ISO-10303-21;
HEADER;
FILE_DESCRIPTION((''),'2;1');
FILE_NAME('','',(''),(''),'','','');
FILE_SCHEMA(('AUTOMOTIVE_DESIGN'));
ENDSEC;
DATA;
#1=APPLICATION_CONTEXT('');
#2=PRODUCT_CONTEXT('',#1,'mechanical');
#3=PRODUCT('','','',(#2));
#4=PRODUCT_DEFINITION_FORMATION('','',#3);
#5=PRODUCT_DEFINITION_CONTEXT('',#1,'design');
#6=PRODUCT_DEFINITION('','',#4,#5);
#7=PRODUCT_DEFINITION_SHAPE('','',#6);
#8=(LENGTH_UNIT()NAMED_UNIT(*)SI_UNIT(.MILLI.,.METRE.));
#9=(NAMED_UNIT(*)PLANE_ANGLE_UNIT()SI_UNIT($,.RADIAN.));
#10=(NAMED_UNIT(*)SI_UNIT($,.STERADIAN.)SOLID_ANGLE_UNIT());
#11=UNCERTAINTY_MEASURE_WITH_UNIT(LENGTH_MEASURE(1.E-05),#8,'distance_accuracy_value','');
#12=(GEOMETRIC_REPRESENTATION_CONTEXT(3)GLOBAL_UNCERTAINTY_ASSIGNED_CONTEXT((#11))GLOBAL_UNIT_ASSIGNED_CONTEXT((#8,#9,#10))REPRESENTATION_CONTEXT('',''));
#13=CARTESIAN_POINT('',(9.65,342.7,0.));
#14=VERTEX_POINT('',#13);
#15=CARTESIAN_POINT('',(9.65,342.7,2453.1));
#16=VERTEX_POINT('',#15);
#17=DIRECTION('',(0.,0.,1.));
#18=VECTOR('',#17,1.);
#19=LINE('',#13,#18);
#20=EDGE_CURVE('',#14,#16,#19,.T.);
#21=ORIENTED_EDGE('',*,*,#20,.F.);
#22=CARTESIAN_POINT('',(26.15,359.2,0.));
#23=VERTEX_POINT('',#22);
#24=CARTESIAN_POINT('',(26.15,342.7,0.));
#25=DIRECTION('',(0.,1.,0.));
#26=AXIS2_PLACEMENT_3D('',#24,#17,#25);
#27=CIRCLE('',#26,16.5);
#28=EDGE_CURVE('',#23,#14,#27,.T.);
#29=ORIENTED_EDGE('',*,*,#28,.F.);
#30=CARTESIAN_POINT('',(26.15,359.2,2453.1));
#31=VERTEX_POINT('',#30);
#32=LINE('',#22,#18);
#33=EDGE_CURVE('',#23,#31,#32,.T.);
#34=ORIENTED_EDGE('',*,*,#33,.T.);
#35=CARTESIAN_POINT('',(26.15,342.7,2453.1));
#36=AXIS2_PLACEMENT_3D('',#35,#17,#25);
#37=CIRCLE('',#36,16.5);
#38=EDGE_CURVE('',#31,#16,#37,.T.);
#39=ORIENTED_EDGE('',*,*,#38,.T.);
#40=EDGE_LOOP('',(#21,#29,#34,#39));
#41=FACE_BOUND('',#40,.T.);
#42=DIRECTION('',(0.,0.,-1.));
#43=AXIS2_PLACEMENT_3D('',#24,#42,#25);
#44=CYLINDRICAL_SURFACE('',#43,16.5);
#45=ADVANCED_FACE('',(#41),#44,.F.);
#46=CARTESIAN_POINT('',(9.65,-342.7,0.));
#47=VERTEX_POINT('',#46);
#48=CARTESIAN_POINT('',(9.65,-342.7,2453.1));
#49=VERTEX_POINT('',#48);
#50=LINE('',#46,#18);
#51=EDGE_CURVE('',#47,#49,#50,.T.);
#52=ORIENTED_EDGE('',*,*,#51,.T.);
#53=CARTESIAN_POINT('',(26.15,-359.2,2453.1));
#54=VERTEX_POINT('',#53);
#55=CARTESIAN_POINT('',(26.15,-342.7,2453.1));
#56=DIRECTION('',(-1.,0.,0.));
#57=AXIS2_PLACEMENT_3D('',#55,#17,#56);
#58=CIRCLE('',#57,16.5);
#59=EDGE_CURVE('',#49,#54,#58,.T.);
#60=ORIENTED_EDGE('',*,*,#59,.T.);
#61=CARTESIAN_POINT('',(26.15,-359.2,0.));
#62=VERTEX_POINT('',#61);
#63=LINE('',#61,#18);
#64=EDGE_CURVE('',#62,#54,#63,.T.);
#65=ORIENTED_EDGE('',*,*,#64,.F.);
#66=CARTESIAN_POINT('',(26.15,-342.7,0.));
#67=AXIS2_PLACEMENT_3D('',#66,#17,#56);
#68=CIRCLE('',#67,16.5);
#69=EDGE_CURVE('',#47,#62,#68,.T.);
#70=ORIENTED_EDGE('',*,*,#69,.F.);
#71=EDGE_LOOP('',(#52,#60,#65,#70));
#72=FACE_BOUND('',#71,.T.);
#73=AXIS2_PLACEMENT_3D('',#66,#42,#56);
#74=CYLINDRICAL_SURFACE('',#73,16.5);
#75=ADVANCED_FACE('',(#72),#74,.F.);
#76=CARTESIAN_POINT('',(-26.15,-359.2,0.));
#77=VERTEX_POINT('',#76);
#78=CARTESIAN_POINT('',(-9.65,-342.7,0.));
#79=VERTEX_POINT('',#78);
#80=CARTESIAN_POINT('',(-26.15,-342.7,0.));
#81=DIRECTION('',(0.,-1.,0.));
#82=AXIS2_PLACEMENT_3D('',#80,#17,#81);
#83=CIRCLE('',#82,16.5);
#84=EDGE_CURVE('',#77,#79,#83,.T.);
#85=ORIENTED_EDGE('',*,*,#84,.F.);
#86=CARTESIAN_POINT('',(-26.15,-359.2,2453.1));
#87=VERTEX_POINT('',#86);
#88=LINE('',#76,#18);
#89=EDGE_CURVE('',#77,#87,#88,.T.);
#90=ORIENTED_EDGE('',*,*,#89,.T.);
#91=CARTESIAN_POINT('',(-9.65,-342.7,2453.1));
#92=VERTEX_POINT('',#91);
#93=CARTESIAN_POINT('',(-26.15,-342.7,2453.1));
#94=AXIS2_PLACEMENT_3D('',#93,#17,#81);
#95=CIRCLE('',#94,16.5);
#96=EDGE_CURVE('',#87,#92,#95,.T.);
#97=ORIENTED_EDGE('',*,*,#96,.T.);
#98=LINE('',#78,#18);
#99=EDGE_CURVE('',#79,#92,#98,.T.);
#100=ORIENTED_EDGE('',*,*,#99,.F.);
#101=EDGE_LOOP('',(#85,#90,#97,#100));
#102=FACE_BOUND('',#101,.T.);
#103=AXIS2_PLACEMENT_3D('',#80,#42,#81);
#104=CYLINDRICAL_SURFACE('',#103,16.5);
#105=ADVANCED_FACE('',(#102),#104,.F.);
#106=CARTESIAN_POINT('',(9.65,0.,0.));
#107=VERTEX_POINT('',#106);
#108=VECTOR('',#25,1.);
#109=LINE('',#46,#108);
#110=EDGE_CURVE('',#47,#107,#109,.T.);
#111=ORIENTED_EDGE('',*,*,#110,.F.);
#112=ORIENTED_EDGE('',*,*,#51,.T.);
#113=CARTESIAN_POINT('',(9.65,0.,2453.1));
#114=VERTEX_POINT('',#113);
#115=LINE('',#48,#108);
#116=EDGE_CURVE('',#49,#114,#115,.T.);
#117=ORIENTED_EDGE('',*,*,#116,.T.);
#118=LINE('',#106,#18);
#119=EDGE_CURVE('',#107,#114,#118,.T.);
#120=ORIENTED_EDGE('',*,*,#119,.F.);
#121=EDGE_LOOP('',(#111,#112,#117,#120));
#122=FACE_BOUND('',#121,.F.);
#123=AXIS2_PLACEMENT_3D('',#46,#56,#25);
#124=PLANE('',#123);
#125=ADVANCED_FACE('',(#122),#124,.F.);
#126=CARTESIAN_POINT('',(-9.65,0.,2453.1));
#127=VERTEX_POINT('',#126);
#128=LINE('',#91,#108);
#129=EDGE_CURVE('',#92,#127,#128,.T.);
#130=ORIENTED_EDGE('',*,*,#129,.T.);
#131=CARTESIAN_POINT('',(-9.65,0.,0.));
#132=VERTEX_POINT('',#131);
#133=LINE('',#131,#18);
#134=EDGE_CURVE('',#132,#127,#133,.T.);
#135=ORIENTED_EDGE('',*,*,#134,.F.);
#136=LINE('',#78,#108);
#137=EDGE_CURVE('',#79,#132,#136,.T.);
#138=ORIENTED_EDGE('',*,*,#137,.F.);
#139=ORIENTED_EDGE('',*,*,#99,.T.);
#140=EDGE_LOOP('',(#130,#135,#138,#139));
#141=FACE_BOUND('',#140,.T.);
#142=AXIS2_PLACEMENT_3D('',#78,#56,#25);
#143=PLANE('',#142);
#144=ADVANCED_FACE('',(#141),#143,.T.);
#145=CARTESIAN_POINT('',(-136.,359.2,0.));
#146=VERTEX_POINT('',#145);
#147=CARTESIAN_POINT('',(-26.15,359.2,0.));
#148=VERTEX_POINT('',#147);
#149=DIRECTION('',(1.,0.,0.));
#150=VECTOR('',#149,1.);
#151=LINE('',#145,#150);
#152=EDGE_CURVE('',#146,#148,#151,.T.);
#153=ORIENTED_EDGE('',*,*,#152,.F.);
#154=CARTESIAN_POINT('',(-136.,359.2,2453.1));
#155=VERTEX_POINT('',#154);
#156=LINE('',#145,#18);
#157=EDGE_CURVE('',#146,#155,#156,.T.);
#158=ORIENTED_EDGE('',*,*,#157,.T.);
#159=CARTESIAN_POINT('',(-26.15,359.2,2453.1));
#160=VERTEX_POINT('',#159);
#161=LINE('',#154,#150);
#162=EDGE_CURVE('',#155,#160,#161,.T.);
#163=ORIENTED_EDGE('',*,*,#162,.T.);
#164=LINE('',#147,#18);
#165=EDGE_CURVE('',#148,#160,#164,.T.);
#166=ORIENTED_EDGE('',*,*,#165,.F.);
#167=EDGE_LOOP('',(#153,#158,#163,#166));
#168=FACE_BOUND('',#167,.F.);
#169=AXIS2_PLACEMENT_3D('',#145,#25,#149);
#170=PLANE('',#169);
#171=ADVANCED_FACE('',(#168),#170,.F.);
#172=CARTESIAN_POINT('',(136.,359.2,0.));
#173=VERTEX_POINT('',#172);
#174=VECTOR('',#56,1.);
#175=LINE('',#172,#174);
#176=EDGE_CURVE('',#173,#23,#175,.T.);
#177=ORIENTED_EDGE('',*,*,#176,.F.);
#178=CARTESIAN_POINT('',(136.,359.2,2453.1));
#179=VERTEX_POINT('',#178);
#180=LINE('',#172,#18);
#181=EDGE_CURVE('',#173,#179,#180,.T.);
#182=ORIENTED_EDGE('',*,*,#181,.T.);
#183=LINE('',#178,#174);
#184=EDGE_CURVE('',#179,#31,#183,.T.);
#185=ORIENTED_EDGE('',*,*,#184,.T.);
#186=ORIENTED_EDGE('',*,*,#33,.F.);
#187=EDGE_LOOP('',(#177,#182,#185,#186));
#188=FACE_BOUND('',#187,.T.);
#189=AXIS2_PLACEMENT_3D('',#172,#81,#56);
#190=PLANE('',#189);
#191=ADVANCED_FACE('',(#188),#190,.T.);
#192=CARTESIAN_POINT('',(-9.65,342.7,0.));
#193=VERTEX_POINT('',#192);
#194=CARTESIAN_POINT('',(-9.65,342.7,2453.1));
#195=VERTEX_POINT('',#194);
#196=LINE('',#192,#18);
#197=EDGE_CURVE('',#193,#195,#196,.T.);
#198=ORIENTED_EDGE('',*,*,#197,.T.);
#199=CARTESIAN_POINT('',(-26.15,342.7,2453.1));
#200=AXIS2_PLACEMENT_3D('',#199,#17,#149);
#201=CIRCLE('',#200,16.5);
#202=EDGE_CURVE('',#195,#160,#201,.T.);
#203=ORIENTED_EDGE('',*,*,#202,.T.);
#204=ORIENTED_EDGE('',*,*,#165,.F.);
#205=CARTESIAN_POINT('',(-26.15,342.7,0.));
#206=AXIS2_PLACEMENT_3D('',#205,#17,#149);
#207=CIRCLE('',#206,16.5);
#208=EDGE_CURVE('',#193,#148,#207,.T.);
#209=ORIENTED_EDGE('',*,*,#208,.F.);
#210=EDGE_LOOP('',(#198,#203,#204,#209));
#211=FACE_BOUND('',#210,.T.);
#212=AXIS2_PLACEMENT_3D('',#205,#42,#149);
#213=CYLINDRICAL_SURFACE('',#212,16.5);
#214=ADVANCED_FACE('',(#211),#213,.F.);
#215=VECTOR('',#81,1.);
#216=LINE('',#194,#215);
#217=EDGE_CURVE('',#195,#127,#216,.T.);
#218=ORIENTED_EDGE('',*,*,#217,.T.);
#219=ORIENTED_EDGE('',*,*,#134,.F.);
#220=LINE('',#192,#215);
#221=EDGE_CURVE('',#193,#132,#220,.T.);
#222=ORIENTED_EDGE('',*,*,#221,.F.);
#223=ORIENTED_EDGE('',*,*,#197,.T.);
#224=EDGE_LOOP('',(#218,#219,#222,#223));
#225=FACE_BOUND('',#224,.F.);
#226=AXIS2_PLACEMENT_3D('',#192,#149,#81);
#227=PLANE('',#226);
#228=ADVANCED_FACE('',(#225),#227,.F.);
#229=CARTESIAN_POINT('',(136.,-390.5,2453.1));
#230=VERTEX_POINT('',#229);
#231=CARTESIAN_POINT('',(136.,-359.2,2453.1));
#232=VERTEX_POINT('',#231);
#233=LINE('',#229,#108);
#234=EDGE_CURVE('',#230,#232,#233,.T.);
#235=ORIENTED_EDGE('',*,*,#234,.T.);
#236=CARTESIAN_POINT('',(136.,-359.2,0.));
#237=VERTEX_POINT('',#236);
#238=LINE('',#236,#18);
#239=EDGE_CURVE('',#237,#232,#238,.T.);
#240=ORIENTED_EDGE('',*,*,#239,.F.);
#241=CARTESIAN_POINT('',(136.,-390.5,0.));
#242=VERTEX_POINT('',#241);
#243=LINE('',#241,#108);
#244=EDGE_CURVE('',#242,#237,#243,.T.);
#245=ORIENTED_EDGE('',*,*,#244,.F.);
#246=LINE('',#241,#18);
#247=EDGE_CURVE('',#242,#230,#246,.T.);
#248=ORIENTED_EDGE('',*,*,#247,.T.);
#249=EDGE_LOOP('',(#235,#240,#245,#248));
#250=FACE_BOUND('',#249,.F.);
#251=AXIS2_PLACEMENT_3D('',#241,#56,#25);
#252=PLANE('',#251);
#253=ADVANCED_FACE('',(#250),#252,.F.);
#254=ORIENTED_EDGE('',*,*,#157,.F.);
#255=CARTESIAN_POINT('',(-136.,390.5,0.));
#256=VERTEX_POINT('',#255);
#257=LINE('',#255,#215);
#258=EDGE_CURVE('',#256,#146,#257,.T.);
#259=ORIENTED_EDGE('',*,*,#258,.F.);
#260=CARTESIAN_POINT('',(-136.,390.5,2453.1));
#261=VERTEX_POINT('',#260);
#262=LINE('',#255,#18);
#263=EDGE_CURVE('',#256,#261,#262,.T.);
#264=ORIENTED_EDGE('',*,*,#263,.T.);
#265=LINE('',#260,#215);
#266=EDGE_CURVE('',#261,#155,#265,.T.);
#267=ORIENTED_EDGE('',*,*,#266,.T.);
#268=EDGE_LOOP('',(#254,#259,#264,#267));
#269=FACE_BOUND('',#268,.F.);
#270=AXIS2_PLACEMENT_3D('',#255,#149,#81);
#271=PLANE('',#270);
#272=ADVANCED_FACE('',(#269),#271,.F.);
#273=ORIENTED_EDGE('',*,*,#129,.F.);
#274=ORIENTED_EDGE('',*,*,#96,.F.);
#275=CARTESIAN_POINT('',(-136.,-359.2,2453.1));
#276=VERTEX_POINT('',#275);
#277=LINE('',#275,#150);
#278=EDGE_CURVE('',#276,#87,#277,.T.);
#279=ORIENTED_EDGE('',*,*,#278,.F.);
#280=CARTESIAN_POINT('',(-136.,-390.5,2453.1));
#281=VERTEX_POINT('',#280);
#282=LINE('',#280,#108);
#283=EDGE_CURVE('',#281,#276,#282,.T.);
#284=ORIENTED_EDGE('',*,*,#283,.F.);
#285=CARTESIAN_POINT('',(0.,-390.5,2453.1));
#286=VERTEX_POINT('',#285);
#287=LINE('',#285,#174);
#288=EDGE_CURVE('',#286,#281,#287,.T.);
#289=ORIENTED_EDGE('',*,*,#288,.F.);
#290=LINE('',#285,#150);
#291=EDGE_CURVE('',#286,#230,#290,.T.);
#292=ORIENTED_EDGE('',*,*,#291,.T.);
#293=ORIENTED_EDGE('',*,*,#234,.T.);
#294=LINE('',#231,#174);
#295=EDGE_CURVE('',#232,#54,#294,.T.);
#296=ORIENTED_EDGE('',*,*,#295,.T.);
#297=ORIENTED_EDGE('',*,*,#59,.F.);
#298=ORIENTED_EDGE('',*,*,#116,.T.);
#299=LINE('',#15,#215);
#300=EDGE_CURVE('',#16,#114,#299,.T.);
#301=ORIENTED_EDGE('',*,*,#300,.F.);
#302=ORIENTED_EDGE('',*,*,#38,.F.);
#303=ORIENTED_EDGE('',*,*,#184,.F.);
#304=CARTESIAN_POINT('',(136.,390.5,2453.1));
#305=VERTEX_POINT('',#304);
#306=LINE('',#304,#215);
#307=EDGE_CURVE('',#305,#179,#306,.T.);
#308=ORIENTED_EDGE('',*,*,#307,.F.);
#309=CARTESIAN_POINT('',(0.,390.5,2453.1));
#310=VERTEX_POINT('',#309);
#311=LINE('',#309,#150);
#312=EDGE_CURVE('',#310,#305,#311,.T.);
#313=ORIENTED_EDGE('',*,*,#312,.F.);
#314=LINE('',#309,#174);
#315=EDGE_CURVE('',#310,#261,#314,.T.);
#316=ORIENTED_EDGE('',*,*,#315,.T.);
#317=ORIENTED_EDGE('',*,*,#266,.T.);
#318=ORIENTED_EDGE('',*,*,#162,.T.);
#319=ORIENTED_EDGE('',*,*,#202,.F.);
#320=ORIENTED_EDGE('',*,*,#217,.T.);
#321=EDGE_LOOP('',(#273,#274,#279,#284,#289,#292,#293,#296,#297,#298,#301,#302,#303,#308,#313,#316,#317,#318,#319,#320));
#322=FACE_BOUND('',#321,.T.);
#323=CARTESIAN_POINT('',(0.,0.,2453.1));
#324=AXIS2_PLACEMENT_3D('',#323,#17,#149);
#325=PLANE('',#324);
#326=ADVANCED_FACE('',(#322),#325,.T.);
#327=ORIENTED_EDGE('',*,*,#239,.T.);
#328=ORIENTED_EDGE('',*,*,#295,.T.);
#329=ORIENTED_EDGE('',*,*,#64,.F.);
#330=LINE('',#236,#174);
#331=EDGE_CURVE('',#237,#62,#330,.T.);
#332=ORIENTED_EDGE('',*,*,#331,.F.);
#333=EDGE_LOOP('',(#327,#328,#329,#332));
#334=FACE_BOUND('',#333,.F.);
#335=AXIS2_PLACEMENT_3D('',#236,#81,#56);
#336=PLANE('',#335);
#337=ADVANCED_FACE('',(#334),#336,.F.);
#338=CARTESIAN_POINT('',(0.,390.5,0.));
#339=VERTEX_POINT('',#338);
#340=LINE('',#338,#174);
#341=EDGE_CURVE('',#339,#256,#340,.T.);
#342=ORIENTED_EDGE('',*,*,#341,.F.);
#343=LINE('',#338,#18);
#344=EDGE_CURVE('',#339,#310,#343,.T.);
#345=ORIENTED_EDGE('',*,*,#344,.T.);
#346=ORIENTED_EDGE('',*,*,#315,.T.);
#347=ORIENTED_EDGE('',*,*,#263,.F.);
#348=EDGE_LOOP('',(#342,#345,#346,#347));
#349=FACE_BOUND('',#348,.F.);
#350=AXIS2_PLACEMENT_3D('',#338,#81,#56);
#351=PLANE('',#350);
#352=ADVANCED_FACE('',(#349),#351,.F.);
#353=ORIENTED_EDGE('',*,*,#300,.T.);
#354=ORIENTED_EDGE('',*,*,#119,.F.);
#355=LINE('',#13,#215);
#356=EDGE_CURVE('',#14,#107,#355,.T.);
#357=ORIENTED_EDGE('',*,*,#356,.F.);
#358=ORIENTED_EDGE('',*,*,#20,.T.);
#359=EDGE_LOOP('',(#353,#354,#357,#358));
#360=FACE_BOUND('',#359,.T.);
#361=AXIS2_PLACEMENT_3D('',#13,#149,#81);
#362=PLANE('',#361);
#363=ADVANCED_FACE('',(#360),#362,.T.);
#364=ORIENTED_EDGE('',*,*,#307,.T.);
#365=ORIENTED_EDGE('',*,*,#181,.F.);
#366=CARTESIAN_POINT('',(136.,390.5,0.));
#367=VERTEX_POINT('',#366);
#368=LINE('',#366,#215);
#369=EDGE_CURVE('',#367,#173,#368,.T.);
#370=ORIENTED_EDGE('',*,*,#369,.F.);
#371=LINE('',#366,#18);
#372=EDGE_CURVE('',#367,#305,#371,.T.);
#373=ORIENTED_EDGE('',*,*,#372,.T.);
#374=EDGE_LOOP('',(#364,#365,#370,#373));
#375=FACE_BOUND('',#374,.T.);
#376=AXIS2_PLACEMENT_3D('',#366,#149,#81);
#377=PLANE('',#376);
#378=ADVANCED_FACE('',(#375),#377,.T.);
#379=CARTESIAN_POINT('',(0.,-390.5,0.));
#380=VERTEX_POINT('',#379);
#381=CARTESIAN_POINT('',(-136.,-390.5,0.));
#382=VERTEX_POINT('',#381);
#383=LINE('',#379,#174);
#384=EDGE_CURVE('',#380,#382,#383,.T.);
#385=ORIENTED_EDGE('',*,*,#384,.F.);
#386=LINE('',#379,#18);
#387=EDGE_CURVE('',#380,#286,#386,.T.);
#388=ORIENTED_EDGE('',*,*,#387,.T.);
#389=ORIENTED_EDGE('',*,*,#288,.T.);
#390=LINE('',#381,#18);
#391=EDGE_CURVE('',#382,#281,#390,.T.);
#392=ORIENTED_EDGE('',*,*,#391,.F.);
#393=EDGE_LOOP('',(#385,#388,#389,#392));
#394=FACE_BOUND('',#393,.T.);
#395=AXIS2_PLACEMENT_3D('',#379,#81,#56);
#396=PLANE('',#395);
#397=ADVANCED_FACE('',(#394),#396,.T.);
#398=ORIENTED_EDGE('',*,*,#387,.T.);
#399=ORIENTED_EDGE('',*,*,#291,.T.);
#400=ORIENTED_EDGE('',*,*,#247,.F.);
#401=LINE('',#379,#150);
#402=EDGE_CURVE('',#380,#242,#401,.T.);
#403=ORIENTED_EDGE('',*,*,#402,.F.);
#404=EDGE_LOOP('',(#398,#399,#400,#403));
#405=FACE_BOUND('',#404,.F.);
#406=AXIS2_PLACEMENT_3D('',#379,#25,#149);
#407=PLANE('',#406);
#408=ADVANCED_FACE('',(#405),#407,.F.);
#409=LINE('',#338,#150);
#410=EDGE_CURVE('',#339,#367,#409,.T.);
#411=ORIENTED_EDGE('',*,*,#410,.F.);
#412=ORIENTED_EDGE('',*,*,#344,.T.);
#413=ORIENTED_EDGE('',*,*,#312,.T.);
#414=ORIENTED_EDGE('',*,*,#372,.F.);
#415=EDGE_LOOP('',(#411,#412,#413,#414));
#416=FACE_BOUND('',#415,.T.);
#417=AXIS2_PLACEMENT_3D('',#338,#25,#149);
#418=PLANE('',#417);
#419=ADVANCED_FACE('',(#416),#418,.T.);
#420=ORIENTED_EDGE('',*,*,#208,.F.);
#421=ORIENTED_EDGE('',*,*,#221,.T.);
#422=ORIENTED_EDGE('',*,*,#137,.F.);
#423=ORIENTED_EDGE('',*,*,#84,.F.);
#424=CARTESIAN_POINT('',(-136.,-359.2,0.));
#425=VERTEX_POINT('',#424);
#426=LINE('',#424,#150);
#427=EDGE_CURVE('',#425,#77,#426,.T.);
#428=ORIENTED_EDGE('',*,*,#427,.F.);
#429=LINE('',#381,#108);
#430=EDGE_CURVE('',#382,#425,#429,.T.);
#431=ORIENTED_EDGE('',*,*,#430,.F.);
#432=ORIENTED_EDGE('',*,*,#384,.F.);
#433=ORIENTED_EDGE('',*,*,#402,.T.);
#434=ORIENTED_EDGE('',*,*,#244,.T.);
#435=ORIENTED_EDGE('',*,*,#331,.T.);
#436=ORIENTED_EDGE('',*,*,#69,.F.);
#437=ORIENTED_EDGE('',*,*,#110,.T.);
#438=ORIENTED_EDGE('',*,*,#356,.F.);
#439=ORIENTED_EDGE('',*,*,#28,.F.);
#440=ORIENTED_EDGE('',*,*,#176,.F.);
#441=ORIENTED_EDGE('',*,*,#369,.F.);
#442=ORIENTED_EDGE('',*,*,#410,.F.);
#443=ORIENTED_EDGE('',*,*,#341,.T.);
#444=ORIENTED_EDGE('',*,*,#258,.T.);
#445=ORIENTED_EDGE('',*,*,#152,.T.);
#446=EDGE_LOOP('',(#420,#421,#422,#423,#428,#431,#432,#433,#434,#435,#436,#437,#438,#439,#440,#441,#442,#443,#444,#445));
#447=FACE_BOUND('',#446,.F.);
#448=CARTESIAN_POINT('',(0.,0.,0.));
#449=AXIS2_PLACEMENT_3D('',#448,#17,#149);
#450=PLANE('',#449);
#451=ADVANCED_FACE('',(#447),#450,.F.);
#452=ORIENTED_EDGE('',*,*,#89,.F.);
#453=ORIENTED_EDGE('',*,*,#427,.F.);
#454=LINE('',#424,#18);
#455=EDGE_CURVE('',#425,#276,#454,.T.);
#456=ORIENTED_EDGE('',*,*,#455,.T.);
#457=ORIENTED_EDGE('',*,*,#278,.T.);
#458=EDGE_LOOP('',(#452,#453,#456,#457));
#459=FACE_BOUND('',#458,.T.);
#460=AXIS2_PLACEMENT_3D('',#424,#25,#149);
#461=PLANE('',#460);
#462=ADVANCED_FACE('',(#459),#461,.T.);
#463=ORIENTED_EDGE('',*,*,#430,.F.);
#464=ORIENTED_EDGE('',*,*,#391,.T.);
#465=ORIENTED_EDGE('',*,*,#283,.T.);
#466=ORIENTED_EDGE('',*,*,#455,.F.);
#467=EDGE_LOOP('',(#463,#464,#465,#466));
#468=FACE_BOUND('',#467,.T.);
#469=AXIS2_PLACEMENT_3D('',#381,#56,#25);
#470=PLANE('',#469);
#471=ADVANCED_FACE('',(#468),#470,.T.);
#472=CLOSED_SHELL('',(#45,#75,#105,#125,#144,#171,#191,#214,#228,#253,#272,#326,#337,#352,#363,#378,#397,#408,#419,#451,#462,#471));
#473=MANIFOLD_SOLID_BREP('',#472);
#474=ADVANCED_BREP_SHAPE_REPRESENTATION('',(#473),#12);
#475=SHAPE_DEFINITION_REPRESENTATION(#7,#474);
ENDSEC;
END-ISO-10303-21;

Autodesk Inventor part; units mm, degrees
ref_plane "YZ Plane" through (0, 0, 0) normal (1, 0, 0) x (0, 1, 0)
ref_plane "Start plane" through (0, 0, 0) normal (0, 0, 1) x (1, 0, 0)
ref_plane "End plane" through (0, 0, 2453.1) normal (0, 0, 1) x (1, 0, 0)
sketch "Sketch" plane through (0, 0, 0) normal (0, 0, 1) x (1, 0, 0)
  line L0 (-136, -390.5) -> (-136, -359.2)
  line L1 (-136, -359.2) -> (-26.15, -359.2)
  line L2 (-9.65, -342.7) -> (-9.65, 0)
  line L3 (-9.65, 0) -> (0, 0) construction
  line L4 (0, 0) -> (0, -390.5) construction
  line L5 (0, -390.5) -> (-136, -390.5)
  line L6 (-60, 0) -> (80, 0) construction
  line L7 (0, -60) -> (0, 80) construction
  line L8 (136, -390.5) -> (136, -359.2)
  line L9 (136, -359.2) -> (26.15, -359.2)
  line L10 (9.65, -342.7) -> (9.65, 0)
  line L11 (9.65, 0) -> (0, 0) construction
  line L12 (0, -390.5) -> (136, -390.5)
  line L13 (-136, 390.5) -> (-136, 359.2)
  line L14 (-136, 359.2) -> (-26.15, 359.2)
  line L15 (-9.65, 342.7) -> (-9.65, 0)
  line L16 (0, 390.5) -> (-136, 390.5)
  line L17 (136, 390.5) -> (136, 359.2)
  line L18 (136, 359.2) -> (26.15, 359.2)
  line L19 (0, 390.5) -> (136, 390.5)
  line L20 (9.65, 342.7) -> (9.65, 0)
  arc A0 (-9.65, 342.7) -> (-26.15, 359.2) centre (-26.15, 342.7) ccw
  arc A1 (26.15, 359.2) -> (9.65, 342.7) centre (26.15, 342.7) ccw
  arc A2 (9.65, -342.7) -> (26.15, -359.2) centre (26.15, -342.7) ccw
  arc A3 (-26.15, -359.2) -> (-9.65, -342.7) centre (-26.15, -342.7) ccw
  line L21 (0, 108) -> (0, -88) construction
  line L22 (-88, 0) -> (108, 0) construction
  point P0 (-9.65, -359.2)
  point P1 (9.65, -359.2)
  point P2 (-9.65, 359.2)
  point P3 (9.65, 359.2)
  dimension "d1" = 390.5
  dimension "d2" = 31.3
  dimension "d3" = 136
  dimension "d4" = 9.65
  dimension "d10" = 16.5
extrude "Body" add sketch "Sketch" along normal up to surface (2453.1 mm away) from surface at 0
sketch "Sketch4" plane through (0, 0, 0) normal (0, 0, 1) x (1, 0, 0)
  line L0 (0, 0) -> (10, 0)
ref_plane "Work Plane3" through (0, 0, 0) normal (0, -1, 0) x (1, 0, 0)
sketch "Sketch5" plane through (0, 0, 0) normal (0, -1, 0) x (1, 0, 0)
  line L0 (-2, 0) -> (12, 0) projected
  line L1 (-2, 2453.1) -> (12, 2453.1) projected
  dimension "d14" = 2453.1
equation "\"d1\" = 0.5 * G_H"
equation "\"d2\" = G_T1"
equation "\"d3\" = 0.5 * G_W"
equation "\"d4\" = 0.5 * G_T"
equation "\"d10\" = G_IR"
equation "\"d5\" = G_L"
equation "\"G_W\" = 272"
equation "\"G_H\" = 781"
equation "\"G_T\" = 19.3"
equation "\"G_T1\" = 31.3"
equation "\"G_IR\" = 16.5"
equation "\"G_L\" = d14"
equation "\"G_OFFSET_START\" = 0"
equation "\"G_OFFSET_END\" = 0"
equation "\"d12\" = G_OFFSET_END + B_L"
equation "\"B_L\" = 2453.1"
properties part number "AS 3679-1990 - 760 UB - 244 - 2453.1" material "Steel, Mild"
